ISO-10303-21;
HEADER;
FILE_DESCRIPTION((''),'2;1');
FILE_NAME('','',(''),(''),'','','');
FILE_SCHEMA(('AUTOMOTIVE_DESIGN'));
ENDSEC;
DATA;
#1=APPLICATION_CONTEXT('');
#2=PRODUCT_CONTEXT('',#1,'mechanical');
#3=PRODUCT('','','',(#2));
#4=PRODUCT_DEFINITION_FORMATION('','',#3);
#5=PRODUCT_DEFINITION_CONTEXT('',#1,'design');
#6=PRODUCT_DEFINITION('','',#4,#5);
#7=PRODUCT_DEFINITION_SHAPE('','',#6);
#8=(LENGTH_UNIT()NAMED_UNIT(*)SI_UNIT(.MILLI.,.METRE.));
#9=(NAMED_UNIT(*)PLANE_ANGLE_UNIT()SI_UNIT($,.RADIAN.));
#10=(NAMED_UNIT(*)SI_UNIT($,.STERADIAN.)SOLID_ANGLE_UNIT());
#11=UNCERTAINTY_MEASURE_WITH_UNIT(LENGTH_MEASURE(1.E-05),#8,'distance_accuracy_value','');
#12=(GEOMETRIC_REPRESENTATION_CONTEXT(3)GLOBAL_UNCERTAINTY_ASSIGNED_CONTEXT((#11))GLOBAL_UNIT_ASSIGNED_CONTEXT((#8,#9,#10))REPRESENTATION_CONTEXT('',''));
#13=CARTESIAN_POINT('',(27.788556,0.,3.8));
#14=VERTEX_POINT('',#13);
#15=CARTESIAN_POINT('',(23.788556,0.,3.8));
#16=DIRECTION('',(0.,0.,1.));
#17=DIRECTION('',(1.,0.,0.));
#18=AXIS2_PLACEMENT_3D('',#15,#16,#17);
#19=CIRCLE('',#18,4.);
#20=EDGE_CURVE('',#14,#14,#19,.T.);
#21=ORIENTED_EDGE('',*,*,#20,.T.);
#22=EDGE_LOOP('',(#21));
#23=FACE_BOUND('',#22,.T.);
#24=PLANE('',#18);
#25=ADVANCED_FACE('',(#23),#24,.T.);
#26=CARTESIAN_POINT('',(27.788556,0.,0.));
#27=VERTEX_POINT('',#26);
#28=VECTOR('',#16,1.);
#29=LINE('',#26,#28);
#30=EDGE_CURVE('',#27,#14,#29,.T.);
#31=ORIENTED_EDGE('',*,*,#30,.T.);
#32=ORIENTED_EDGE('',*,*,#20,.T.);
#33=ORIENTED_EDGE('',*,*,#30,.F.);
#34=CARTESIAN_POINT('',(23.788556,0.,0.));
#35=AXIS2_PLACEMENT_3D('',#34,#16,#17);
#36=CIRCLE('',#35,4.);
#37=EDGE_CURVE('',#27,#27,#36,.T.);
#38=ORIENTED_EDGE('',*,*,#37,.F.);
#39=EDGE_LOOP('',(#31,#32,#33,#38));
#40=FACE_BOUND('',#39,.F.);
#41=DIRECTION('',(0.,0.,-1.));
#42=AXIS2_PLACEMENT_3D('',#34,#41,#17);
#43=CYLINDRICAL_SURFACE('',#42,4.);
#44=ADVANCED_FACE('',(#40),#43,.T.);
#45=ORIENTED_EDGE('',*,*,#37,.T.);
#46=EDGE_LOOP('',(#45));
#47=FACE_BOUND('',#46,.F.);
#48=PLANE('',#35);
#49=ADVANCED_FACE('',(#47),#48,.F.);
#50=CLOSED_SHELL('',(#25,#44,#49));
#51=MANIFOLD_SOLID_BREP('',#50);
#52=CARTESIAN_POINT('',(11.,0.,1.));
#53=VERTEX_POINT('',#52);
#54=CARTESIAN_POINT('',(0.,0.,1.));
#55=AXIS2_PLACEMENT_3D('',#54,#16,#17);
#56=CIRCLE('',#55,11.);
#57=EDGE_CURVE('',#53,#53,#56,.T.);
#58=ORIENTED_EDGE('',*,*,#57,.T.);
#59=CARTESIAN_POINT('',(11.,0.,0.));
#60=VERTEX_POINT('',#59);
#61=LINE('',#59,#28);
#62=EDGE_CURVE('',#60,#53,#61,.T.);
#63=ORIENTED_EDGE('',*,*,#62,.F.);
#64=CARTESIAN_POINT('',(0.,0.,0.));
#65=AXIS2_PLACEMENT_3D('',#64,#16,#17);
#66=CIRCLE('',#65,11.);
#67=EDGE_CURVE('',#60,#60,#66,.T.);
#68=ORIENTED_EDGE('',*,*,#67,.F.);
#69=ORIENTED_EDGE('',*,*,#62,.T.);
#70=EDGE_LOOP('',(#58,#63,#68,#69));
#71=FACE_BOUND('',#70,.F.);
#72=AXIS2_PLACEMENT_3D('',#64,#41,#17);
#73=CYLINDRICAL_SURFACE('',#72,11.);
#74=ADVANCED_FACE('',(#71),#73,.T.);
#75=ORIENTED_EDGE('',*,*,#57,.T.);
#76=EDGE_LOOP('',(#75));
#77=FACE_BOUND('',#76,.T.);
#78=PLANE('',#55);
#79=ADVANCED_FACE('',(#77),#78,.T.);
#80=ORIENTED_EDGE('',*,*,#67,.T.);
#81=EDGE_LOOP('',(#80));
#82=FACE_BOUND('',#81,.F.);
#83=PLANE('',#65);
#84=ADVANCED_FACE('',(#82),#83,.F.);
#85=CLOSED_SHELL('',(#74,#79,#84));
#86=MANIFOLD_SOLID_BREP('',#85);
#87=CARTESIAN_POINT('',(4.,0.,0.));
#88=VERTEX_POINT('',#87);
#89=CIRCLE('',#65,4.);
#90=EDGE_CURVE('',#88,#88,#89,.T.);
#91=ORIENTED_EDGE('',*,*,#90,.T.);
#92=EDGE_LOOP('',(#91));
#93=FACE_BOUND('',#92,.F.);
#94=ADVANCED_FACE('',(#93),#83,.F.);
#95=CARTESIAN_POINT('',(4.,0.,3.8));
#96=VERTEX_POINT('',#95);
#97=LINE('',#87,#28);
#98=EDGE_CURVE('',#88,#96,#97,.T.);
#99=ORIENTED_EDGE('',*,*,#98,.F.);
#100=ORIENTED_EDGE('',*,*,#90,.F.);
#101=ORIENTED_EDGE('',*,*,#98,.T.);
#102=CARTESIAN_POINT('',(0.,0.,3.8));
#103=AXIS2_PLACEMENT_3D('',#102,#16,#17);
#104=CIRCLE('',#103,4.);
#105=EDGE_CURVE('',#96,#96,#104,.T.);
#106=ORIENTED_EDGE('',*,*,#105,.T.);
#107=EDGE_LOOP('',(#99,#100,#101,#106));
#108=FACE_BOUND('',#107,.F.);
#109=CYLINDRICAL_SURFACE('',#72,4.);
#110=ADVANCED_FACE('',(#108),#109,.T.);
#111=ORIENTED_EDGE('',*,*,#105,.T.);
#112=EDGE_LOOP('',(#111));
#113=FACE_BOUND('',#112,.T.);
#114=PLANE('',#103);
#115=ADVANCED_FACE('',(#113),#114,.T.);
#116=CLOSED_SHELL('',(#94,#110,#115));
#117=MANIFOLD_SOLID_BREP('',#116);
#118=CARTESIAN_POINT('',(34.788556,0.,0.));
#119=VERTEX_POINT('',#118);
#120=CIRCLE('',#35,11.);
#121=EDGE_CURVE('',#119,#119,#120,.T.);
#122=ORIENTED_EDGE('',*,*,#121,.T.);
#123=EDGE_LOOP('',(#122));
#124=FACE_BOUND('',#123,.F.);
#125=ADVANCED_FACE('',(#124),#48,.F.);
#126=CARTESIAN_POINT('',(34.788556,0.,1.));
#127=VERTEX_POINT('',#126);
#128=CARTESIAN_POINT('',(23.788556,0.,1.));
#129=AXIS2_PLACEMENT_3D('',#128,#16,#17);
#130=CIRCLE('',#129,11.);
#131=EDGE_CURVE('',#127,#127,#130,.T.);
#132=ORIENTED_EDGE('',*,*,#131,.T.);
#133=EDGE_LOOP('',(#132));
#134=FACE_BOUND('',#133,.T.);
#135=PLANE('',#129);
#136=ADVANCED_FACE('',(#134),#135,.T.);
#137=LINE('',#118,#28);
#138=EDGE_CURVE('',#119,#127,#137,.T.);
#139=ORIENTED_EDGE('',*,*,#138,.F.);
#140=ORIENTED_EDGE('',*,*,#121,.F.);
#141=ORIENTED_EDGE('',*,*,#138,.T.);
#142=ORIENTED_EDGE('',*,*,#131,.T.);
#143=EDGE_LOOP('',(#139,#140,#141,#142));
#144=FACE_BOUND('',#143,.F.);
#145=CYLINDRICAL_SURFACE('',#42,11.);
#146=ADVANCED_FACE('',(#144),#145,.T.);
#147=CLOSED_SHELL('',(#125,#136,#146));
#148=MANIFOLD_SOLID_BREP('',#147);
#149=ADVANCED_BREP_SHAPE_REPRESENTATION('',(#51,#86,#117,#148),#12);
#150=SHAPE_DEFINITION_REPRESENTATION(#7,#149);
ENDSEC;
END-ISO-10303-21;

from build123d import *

# Parameters (mm, degrees)
F0_R     = 11
F0_R_2   = 4
F1_DEPTH = 1
F2_DEPTH = 3.8


with BuildPart() as f1:
    # F0 (on Top) → F1 (new body)
    with BuildSketch(Plane.XY):
        with Locations((23.7885564566, 0)):
            Circle(F0_R)
        with Locations((23.7885564566, 0)):
            Circle(F0_R_2, mode=Mode.SUBTRACT)
        with Locations((23.7885564566, 0)):
            Circle(F0_R_2)
    extrude(amount=F1_DEPTH)


with BuildPart() as f1b:
    # F0 (on Top) → F1, piece 2 (new body)
    with BuildSketch(Plane.XY):
        Circle(F0_R)
        Circle(F0_R_2, mode=Mode.SUBTRACT)
        Circle(F0_R_2)
    extrude(amount=F1_DEPTH)


with BuildPart() as f2:
    # F0 (on Top) → F2 (new body)
    with BuildSketch(Plane.XY):
        Circle(F0_R_2)
    extrude(amount=F2_DEPTH)


with BuildPart() as f2b:
    # F0 (on Top) → F2, piece 2 (new body)
    with BuildSketch(Plane.XY):
        with Locations((23.7885564566, 0)):
            Circle(F0_R_2)
    extrude(amount=F2_DEPTH)


solid = Compound([f1.part, f1b.part, f2.part, f2b.part])
